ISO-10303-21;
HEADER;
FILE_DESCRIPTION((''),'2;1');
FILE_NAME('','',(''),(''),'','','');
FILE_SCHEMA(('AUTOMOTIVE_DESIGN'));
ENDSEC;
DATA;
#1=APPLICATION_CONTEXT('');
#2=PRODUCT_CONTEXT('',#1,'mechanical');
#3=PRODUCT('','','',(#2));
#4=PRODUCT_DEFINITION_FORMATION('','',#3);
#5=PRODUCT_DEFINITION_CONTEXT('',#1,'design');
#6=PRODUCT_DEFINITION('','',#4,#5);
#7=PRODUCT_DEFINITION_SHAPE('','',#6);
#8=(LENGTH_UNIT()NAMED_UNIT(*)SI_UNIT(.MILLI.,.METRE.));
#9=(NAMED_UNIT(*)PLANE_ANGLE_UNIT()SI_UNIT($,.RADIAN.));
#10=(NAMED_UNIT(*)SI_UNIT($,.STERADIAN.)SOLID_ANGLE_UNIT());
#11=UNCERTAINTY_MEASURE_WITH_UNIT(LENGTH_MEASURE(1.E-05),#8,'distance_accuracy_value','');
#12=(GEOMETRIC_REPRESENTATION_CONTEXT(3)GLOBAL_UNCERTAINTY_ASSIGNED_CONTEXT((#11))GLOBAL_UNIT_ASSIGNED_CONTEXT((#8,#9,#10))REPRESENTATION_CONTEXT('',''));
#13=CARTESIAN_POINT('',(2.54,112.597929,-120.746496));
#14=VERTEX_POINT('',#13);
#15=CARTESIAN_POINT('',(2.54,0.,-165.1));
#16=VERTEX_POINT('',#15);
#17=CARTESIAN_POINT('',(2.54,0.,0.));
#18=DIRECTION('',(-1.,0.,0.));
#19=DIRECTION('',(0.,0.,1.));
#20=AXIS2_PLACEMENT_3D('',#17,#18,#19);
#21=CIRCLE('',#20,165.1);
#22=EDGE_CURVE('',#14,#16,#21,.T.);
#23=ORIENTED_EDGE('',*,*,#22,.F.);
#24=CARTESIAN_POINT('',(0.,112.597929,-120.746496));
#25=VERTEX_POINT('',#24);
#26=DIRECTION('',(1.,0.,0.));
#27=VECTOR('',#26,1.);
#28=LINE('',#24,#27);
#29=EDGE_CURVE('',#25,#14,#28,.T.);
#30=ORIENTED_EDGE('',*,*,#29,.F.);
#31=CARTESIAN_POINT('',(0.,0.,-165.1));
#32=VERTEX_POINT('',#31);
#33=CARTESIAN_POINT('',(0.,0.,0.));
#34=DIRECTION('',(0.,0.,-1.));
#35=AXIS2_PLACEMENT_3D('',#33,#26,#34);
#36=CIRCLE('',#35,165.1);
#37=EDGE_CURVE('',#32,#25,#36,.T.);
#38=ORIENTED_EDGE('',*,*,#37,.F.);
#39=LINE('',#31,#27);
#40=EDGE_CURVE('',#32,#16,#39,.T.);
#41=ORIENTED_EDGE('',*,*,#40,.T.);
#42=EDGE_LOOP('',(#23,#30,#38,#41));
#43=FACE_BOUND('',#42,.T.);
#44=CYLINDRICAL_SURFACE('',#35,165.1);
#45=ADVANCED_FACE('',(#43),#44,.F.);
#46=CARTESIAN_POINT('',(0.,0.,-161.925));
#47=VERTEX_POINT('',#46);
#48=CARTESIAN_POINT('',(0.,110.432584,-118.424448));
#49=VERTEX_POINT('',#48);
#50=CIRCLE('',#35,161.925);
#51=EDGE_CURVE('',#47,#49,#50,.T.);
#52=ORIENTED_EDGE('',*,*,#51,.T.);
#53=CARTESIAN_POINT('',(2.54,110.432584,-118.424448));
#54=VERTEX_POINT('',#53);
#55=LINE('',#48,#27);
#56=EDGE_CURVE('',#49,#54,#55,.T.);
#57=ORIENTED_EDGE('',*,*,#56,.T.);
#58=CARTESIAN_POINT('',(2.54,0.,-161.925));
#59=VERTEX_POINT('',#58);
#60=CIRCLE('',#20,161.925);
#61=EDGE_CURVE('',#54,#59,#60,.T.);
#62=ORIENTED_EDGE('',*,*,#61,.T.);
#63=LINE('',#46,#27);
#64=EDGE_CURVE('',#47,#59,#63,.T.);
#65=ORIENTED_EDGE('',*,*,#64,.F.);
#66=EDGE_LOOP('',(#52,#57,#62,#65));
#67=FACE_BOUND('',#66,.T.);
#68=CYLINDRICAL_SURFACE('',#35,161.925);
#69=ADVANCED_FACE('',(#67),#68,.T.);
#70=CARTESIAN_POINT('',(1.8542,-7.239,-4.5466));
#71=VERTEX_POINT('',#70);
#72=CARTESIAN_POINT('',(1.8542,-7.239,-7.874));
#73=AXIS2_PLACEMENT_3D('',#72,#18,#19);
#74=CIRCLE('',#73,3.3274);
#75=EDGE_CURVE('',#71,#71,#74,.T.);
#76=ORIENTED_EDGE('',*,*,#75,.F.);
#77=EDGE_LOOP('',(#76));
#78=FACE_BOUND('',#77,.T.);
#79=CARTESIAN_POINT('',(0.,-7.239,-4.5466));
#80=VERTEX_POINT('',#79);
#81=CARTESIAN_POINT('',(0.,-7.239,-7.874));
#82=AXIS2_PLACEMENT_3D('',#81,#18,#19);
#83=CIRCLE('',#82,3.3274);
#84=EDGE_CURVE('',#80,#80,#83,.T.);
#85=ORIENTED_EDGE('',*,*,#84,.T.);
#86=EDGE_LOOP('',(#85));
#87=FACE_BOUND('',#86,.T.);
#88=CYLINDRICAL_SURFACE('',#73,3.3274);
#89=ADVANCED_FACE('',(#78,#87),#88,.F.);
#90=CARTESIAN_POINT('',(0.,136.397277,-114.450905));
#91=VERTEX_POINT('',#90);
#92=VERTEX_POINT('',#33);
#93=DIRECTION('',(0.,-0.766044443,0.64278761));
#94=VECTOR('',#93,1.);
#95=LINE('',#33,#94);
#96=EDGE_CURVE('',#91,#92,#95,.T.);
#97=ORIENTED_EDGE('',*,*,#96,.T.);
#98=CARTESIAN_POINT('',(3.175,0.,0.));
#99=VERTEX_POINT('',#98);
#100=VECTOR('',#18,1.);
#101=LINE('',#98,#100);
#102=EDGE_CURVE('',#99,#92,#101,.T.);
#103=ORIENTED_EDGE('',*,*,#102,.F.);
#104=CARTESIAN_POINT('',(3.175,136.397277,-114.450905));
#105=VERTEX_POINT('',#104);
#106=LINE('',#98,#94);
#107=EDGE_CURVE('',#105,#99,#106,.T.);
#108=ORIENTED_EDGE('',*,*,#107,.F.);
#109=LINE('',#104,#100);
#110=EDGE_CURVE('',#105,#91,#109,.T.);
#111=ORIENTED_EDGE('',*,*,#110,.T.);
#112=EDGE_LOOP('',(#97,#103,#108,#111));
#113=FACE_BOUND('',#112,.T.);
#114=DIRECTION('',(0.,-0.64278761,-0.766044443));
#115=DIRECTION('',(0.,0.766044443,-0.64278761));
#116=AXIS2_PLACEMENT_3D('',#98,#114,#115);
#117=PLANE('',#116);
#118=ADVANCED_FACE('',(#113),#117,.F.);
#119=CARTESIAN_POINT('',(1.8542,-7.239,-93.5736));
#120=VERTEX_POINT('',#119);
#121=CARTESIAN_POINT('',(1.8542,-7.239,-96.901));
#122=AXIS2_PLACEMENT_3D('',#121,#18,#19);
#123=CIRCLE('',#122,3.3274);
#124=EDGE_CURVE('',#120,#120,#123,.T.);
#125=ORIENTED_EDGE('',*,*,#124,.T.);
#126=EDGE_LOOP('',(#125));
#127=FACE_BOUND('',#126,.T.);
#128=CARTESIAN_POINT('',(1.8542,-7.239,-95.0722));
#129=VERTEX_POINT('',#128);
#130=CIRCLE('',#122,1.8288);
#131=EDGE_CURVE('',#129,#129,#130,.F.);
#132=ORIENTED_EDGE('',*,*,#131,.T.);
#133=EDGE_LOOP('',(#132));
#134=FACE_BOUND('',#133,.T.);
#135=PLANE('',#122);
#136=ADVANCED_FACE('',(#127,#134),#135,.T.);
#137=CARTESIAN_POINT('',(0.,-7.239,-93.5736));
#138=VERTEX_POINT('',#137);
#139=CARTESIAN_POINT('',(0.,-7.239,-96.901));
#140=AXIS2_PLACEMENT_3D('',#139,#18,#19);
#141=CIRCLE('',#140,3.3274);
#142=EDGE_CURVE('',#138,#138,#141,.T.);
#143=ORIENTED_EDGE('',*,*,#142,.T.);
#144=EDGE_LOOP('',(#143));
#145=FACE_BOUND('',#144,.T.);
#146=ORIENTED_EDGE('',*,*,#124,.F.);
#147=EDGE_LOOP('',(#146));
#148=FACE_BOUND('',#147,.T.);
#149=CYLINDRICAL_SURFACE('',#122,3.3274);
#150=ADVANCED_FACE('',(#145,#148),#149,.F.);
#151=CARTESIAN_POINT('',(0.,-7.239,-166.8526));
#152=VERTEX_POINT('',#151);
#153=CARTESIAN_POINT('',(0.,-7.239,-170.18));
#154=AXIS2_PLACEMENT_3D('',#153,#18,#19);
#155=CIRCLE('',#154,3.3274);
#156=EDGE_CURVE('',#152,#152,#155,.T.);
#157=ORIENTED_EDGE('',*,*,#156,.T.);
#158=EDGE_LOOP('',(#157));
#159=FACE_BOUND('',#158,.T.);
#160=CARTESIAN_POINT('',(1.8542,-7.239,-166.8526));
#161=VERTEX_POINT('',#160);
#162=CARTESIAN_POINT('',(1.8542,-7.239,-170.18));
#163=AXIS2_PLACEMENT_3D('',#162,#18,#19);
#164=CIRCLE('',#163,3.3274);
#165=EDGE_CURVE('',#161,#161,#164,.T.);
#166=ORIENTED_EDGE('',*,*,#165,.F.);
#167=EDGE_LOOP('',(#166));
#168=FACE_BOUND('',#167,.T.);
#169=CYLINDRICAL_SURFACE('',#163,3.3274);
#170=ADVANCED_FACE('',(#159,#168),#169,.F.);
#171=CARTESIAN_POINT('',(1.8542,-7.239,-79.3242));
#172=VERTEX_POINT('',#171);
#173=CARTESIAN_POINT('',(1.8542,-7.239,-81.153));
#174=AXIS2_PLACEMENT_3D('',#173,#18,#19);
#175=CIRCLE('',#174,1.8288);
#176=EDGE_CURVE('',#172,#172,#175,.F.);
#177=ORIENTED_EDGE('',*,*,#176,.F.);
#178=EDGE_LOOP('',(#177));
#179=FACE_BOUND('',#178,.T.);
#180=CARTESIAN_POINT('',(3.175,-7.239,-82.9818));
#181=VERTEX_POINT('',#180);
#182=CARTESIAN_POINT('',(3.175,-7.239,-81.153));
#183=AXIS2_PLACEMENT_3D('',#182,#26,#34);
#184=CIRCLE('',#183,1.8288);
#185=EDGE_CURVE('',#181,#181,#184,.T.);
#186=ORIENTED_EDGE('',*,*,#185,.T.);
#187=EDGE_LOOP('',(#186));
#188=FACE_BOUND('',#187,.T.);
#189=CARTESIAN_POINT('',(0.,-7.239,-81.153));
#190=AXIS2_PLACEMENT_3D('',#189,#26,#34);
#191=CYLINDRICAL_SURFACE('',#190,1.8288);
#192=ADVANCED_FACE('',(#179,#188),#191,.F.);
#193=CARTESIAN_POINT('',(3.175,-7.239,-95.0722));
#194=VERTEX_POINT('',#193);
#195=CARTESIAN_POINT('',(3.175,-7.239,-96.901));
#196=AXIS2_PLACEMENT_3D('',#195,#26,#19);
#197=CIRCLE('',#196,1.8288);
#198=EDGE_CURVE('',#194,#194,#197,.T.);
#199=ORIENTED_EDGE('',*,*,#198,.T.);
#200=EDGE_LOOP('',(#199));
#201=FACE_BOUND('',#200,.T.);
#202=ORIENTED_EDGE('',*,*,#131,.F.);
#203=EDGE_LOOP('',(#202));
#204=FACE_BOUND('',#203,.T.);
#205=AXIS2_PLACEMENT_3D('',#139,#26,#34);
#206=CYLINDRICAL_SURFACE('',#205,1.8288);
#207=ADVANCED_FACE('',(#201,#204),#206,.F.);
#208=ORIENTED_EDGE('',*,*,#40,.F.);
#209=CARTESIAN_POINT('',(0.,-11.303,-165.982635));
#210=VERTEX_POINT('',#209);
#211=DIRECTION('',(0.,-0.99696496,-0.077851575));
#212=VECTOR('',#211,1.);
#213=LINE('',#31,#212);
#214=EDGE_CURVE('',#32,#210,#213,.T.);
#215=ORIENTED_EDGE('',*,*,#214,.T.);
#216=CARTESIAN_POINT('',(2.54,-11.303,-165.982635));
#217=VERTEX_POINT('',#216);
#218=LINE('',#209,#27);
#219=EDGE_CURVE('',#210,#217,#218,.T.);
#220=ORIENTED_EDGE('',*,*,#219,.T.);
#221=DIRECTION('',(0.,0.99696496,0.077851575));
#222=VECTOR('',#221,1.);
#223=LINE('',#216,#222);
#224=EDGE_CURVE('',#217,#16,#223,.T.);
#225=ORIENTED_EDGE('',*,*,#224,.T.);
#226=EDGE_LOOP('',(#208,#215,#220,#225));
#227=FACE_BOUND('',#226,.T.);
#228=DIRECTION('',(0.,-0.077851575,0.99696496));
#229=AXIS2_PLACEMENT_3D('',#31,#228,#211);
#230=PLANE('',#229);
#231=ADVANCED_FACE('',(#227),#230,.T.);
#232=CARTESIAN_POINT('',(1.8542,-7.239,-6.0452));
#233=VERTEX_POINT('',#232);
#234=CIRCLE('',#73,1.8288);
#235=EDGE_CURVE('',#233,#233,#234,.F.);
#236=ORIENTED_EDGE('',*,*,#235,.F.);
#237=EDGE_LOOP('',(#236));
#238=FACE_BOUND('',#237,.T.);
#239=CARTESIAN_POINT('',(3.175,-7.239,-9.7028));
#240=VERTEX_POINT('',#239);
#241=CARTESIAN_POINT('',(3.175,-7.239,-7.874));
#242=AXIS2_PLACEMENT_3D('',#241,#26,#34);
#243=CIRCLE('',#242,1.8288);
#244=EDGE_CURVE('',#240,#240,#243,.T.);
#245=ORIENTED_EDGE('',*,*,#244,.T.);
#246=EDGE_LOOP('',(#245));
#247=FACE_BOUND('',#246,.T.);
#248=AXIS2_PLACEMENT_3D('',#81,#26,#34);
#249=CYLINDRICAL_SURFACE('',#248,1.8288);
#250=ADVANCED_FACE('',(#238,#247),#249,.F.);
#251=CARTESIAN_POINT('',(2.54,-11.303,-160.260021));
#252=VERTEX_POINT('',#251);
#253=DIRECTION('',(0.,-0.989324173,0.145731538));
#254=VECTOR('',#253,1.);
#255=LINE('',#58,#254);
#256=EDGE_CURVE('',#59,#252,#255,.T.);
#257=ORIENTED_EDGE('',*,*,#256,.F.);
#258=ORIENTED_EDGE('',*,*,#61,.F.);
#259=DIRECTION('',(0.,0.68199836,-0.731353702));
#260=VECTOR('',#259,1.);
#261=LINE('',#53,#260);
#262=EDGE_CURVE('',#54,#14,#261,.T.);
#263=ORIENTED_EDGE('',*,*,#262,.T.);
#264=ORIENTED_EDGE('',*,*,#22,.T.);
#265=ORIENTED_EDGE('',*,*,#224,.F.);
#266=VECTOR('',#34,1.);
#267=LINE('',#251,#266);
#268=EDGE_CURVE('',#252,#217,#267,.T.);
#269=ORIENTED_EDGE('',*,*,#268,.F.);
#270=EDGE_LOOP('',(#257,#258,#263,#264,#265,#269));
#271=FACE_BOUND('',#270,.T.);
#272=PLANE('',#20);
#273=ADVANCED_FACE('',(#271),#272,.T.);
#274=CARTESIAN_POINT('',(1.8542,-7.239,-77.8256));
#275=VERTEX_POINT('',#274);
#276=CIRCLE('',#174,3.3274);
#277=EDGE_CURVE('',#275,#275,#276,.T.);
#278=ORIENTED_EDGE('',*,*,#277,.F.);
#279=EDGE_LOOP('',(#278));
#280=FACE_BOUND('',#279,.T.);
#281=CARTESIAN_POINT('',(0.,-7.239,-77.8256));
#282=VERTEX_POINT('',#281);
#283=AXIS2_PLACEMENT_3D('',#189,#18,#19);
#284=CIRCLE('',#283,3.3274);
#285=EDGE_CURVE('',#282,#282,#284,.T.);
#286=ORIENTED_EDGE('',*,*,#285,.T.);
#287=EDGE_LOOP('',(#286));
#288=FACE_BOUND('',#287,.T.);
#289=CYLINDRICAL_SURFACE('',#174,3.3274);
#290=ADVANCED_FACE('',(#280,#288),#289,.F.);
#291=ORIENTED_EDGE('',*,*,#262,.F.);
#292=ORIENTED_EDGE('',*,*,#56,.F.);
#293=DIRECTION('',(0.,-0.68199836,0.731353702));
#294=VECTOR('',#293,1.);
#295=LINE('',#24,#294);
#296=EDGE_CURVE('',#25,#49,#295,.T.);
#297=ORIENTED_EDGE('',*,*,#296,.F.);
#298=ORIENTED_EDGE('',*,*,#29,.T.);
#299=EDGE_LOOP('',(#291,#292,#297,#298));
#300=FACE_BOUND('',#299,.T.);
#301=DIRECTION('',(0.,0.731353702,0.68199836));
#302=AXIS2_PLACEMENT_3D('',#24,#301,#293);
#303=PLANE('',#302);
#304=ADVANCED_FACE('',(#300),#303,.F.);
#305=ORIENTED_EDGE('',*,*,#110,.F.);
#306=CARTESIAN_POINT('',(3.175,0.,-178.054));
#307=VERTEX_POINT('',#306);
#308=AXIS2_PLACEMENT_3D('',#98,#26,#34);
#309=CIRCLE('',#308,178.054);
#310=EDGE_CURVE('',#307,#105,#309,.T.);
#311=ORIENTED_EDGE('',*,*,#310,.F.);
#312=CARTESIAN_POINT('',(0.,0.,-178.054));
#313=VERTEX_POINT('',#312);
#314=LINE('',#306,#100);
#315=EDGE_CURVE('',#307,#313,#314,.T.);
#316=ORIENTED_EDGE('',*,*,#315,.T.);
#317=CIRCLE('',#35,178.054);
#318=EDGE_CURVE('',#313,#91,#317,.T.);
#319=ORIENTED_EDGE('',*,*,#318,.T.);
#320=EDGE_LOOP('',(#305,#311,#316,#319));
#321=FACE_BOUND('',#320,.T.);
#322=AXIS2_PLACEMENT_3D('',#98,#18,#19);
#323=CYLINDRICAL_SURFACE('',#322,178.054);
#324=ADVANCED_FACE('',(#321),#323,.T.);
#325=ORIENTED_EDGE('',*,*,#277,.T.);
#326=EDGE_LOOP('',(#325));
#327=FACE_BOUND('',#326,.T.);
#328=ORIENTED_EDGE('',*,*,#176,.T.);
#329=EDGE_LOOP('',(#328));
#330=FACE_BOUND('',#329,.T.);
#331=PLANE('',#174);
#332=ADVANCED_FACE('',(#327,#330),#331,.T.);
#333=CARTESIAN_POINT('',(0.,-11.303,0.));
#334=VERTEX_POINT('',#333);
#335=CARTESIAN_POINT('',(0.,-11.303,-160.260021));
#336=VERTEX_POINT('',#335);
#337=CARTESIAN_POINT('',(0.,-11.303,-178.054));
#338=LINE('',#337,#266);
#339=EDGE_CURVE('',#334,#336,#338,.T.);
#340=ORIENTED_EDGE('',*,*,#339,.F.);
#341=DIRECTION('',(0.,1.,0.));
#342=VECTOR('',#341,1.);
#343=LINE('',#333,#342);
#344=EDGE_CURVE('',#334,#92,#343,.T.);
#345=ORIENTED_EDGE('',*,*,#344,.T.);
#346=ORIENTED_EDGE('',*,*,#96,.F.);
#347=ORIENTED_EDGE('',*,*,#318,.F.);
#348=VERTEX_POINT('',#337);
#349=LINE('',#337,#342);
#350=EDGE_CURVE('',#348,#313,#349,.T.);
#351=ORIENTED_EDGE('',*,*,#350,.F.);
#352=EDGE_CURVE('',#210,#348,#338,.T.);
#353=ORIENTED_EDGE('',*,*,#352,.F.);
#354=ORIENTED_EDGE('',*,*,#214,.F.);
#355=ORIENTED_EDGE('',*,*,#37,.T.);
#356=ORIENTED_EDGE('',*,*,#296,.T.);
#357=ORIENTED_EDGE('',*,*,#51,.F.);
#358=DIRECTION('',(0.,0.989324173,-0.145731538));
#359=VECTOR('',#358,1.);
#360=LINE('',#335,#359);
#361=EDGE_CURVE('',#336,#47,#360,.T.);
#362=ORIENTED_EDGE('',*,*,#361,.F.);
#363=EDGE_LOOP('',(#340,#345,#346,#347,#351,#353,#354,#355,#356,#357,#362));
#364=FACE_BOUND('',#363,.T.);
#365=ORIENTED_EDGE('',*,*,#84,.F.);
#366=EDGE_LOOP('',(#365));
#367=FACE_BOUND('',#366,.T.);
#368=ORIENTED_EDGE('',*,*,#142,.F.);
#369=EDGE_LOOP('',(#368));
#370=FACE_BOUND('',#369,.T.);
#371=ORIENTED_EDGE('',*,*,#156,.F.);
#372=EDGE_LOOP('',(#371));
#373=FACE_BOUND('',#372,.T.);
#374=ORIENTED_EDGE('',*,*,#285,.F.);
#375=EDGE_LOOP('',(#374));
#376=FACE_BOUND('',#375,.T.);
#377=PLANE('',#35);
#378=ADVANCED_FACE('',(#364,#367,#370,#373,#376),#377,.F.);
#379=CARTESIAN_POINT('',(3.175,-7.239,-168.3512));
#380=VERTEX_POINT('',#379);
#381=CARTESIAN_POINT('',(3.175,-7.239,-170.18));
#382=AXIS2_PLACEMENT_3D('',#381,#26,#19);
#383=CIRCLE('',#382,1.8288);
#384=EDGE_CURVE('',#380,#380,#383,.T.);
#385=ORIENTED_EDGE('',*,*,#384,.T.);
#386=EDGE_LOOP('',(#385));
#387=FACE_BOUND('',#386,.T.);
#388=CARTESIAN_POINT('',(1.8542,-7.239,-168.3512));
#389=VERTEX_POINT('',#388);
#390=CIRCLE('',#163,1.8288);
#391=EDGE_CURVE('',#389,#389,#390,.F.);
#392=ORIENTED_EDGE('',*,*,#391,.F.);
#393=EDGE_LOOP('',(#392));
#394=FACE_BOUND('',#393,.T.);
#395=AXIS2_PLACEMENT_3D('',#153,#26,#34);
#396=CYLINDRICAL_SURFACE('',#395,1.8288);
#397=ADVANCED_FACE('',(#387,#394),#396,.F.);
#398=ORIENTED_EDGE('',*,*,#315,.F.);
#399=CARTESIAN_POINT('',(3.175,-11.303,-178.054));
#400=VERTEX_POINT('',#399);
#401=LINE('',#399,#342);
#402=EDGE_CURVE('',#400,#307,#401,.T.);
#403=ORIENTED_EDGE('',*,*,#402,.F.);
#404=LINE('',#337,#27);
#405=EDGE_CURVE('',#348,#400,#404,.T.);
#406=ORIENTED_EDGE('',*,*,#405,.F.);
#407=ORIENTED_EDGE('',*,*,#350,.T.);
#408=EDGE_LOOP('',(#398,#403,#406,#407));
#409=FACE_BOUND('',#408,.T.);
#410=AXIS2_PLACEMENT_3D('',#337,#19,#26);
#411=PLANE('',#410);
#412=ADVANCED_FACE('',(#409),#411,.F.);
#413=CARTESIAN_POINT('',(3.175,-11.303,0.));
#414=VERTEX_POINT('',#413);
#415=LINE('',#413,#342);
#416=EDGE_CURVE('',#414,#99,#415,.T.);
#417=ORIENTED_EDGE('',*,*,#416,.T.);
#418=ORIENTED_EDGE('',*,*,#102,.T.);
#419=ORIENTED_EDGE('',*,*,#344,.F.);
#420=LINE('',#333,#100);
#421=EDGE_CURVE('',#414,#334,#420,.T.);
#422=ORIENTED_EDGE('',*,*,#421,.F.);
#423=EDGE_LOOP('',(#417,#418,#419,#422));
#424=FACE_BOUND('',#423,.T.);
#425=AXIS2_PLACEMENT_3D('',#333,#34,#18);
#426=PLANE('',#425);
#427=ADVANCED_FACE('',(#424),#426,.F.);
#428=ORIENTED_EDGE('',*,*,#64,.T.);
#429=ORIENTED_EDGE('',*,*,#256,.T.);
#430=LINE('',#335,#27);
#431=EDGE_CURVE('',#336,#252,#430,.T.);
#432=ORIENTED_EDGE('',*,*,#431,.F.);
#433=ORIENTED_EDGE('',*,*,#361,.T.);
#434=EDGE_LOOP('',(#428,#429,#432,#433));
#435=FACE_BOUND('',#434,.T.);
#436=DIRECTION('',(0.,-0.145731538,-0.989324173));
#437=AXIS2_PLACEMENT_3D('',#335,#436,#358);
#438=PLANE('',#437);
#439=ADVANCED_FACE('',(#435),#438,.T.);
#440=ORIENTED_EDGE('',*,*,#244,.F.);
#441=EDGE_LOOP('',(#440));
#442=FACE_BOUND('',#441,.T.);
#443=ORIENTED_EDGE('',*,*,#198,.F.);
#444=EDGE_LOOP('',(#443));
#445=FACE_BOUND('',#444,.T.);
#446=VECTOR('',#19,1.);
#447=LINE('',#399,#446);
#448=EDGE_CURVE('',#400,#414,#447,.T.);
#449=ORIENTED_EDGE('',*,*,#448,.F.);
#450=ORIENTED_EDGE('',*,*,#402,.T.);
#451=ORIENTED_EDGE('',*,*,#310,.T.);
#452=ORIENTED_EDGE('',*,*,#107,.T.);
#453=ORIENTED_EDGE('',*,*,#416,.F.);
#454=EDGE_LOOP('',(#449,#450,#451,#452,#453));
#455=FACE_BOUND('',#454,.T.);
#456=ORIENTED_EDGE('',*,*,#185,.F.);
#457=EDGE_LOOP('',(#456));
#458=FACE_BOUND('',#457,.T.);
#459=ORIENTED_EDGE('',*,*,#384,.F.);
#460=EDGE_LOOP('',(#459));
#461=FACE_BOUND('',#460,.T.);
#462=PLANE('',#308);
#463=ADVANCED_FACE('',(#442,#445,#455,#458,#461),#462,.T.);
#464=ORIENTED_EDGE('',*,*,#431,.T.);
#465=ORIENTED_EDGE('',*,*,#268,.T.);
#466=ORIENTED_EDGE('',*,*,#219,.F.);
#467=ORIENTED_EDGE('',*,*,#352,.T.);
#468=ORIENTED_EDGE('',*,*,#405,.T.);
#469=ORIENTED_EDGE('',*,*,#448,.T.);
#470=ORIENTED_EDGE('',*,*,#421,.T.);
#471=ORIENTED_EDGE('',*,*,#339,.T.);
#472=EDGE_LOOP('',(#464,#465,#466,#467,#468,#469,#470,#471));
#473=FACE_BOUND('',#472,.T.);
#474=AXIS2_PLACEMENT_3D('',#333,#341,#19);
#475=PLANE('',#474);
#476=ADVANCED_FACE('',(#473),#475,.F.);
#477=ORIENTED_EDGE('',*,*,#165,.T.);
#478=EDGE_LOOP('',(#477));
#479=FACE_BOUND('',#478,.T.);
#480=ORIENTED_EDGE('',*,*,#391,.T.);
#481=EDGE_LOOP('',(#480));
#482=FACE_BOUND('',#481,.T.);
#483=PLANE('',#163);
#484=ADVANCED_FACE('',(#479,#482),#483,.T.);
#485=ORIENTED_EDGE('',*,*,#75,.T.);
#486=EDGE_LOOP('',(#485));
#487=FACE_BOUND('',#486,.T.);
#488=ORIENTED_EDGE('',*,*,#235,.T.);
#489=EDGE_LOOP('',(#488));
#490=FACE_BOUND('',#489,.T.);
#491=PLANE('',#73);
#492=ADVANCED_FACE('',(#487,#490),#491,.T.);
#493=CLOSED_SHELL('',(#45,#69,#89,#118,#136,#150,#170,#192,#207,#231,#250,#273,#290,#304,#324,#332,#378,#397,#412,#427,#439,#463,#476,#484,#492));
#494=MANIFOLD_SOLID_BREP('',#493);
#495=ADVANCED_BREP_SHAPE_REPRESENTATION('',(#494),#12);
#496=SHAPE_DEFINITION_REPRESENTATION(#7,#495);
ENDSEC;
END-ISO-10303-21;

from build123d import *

# Parameters (mm, degrees)
BOSS_EXTRUDE1_DEPTH = 3.175
SKETCH2_W           = 3.175
SKETCH2_H           = 178.054
BOSS_EXTRUDE2_DEPTH = 11.303
SKETCH3_R           = 1.8288
CUT_EXTRUDE1_DEPTH  = 4.175
CUT_EXTRUDE2_DEPTH  = 3.175
BOSS_EXTRUDE3_DEPTH = 0.635
SKETCH8_R           = 3.3274
CUT_EXTRUDE3_DEPTH  = 1.8542


with BuildPart() as part:
    # Sketch1 → Boss-Extrude1 (new body)
    with BuildSketch(Plane(origin=(0, 0, 0), x_dir=(0, 0, -1), z_dir=(1, 0, 0))):
        with BuildLine():
            Line((0, 0), (178.054, 0))
            ThreePointArc((178.054, 0), (161.371726713, 75.248871976), (114.450905055, 136.397277275))
            Line((114.450905055, 136.397277275), (0, 0))
        make_face()
    extrude(amount=BOSS_EXTRUDE1_DEPTH)

    # Sketch2 → Boss-Extrude2 (add)
    with BuildSketch(Plane.XZ):
        with Locations((1.5875, -89.027)):
            Rectangle(SKETCH2_W, SKETCH2_H)
    extrude(amount=BOSS_EXTRUDE2_DEPTH)

    # Sketch3 → Cut-Extrude1 (cut, through all)
    with BuildSketch(Plane(origin=(3.175, 0, 0), x_dir=(0, 0, -1), z_dir=(1, 0, 0))):
        with Locations((7.874, -7.239)):
            Circle(SKETCH3_R)
        with Locations((81.153, -7.239)):
            Circle(SKETCH3_R)
        with Locations((96.901, -7.239)):
            Circle(SKETCH3_R)
        with Locations((170.18, -7.239)):
            Circle(SKETCH3_R)
    extrude(amount=-CUT_EXTRUDE1_DEPTH, mode=Mode.SUBTRACT)

    # Sketch6 → Cut-Extrude2 (cut)
    with BuildSketch(Plane(origin=(3.175, 0, 0), x_dir=(0, 0, -1), z_dir=(1, 0, 0))):
        with BuildLine():
            Line((165.1, 0), (165.982635189, -11.303))
            Line((165.982635189, -11.303), (160.260021408, -11.303))
            Line((160.260021408, -11.303), (161.925, 0))
            ThreePointArc((161.925, 0), (150.657864695, 59.345711137), (118.424448135, 110.432584453))
            Line((118.424448135, 110.432584453), (120.746496137, 112.597929246))
            ThreePointArc((120.746496137, 112.597929246), (153.611940474, 60.509352532), (165.1, 0))
        make_face()
    extrude(amount=-CUT_EXTRUDE2_DEPTH, mode=Mode.SUBTRACT)

    # Sketch7 → Boss-Extrude3 (add)
    with BuildSketch(Plane(origin=(3.175, 0, 0), x_dir=(0, 0, -1), z_dir=(1, 0, 0))):
        with BuildLine():
            Line((118.424448135, 110.432584453), (120.746496137, 112.597929246))
            ThreePointArc((120.746496137, 112.597929246), (153.611940474, 60.509352532), (165.1, 0))
            Line((165.1, 0), (165.982635189, -11.303))
            Line((165.982635189, -11.303), (160.260021408, -11.303))
            Line((160.260021408, -11.303), (161.925, 0))
            ThreePointArc((161.925, 0), (150.657864695, 59.345711137), (118.424448135, 110.432584453))
        make_face()
    extrude(amount=-BOSS_EXTRUDE3_DEPTH)

    # Sketch8 → Cut-Extrude3 (cut)
    with BuildSketch(Plane.ZY):
        with Locations((-170.18, -7.239)):
            Circle(SKETCH8_R)
        with Locations((-96.901, -7.239)):
            Circle(SKETCH8_R)
        with Locations((-81.153, -7.239)):
            Circle(SKETCH8_R)
        with Locations((-7.874, -7.239)):
            Circle(SKETCH8_R)
    extrude(amount=-CUT_EXTRUDE3_DEPTH, mode=Mode.SUBTRACT)


solid = part.part
